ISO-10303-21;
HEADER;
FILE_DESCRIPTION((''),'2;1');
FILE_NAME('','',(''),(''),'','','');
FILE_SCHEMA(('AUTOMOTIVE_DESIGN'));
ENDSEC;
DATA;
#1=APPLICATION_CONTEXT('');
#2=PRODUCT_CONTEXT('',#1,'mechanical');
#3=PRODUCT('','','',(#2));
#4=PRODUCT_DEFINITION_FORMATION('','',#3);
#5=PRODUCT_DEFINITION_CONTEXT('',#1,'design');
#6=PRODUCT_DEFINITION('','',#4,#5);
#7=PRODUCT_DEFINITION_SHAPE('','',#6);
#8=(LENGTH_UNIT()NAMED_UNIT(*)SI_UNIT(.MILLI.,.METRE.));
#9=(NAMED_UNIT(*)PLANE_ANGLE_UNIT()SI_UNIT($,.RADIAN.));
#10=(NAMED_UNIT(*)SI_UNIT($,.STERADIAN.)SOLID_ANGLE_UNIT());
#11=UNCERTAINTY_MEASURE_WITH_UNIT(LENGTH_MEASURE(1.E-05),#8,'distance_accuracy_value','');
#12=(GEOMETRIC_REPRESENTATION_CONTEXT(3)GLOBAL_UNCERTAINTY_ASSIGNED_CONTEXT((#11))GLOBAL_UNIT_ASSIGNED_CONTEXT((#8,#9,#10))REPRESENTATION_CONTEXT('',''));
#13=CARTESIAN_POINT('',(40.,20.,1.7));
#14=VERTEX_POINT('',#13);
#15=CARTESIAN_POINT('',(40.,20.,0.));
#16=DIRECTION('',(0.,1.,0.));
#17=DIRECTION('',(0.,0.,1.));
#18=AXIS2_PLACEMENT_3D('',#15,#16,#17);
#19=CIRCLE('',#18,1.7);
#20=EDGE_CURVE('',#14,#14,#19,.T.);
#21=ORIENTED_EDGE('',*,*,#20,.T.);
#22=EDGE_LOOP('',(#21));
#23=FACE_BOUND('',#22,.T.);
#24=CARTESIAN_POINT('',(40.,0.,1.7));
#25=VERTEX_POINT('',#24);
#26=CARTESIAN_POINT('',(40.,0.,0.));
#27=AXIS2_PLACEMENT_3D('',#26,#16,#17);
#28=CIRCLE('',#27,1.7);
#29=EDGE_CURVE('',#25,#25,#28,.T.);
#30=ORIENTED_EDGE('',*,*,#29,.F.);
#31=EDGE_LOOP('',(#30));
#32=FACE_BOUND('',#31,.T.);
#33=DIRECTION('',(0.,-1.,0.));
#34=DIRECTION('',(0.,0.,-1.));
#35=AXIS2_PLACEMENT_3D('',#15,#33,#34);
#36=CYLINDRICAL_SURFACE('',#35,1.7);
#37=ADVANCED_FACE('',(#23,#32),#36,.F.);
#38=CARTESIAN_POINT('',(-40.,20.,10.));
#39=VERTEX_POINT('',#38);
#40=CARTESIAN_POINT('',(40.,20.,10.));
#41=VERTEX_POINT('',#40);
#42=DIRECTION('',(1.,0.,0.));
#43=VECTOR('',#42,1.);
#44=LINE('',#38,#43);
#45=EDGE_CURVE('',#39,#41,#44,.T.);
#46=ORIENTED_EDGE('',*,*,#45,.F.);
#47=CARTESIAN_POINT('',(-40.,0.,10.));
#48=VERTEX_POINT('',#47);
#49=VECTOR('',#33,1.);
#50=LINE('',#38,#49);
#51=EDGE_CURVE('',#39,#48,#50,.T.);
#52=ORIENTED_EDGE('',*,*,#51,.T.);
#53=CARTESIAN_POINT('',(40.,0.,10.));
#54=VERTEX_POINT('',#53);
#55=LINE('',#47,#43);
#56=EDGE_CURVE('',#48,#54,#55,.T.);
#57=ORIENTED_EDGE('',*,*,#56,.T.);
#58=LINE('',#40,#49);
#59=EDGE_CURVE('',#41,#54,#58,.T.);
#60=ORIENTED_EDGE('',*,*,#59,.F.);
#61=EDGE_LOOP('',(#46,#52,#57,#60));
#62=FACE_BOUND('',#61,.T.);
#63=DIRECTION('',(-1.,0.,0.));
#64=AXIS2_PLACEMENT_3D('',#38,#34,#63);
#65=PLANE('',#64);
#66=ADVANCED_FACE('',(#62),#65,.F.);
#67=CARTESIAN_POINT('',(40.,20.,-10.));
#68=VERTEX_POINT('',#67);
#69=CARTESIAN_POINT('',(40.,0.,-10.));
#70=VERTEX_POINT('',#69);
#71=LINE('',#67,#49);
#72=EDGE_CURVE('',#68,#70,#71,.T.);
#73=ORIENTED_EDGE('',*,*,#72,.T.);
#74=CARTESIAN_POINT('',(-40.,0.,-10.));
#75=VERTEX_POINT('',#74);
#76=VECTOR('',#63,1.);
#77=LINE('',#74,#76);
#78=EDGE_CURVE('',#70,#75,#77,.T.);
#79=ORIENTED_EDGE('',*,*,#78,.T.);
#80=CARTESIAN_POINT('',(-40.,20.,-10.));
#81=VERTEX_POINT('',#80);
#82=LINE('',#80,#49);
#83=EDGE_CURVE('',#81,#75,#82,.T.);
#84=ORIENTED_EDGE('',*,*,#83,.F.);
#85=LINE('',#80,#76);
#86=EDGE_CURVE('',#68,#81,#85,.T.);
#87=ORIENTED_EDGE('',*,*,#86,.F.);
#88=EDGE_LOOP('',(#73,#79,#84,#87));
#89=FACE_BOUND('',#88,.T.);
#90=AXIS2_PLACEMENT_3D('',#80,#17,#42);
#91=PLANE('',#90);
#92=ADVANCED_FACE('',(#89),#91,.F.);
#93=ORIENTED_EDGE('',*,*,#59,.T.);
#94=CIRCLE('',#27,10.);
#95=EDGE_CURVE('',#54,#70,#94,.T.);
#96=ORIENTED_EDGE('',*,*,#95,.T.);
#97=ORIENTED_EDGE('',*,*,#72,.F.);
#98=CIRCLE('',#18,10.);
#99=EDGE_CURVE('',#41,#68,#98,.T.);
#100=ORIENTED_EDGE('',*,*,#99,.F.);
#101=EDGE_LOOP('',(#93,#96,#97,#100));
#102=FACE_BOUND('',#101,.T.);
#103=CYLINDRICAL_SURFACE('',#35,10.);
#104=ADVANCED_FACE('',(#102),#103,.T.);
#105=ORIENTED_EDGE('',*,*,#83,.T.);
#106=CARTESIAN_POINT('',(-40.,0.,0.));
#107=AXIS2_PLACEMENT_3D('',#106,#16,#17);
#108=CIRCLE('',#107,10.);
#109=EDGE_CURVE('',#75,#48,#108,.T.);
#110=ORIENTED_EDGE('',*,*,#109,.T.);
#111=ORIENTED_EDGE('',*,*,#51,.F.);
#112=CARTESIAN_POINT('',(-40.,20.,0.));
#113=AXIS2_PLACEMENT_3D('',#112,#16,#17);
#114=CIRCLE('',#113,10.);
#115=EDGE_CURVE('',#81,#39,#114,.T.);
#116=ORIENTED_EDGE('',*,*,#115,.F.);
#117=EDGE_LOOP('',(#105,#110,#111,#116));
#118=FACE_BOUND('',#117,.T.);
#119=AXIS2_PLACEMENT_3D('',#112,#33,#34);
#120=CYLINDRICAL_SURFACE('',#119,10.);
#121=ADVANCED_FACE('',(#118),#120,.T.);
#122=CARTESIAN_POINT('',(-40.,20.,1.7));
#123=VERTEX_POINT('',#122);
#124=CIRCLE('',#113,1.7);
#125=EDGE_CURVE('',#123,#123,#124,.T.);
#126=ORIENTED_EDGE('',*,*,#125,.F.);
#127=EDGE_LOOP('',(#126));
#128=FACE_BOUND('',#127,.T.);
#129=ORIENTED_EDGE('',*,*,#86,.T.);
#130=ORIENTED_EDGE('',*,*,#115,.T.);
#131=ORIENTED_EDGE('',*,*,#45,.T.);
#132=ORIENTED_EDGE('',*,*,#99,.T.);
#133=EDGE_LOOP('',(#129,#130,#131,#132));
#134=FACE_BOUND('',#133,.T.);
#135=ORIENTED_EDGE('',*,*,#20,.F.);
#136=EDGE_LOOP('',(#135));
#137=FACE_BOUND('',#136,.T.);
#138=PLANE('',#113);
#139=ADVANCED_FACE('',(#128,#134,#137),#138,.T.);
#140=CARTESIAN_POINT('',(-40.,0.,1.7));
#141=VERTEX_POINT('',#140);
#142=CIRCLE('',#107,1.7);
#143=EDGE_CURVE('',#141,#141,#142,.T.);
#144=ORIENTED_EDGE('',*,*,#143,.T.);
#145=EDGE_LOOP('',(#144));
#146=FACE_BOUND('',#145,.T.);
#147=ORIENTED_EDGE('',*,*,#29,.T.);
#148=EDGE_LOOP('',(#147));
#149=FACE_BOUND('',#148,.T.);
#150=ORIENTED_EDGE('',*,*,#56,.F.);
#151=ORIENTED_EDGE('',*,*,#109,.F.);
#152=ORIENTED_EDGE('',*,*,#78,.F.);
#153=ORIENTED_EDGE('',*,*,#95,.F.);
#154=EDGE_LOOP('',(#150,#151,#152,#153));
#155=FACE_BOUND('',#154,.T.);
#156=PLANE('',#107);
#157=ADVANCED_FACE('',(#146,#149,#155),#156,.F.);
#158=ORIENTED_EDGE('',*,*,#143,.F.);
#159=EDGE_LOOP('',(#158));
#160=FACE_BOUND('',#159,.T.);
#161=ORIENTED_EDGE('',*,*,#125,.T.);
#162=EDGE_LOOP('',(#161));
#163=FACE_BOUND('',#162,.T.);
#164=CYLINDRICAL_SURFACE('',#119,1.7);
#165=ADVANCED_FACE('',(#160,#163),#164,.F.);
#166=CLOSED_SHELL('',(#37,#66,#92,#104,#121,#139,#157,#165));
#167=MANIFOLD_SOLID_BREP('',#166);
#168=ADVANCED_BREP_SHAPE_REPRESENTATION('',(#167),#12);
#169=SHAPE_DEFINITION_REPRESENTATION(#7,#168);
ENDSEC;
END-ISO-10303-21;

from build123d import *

# Parameters (mm, degrees)
SKETCH1_R           = 1.7
BOSS_EXTRUDE1_DEPTH = 20


with BuildPart() as part:
    # Sketch1 → Boss-Extrude1 (new body)
    with BuildSketch(Plane(origin=(0, 0, 0), x_dir=(1, 0, 0), z_dir=(0, 1, 0))):
        with BuildLine():
            Line((-40, 10), (40, 10))
            ThreePointArc((40, 10), (50, 0), (40, -10))
            Line((40, -10), (-40, -10))
            ThreePointArc((-40, -10), (-50, 0), (-40, 10))
        make_face()
        with Locations(Location((-40, 0, 0), (0, 0, 270))):
            Circle(SKETCH1_R, mode=Mode.SUBTRACT)
        with Locations(Location((40, 0, 0), (0, 0, 270))):
            Circle(SKETCH1_R, mode=Mode.SUBTRACT)
    extrude(amount=BOSS_EXTRUDE1_DEPTH)


solid = part.part
